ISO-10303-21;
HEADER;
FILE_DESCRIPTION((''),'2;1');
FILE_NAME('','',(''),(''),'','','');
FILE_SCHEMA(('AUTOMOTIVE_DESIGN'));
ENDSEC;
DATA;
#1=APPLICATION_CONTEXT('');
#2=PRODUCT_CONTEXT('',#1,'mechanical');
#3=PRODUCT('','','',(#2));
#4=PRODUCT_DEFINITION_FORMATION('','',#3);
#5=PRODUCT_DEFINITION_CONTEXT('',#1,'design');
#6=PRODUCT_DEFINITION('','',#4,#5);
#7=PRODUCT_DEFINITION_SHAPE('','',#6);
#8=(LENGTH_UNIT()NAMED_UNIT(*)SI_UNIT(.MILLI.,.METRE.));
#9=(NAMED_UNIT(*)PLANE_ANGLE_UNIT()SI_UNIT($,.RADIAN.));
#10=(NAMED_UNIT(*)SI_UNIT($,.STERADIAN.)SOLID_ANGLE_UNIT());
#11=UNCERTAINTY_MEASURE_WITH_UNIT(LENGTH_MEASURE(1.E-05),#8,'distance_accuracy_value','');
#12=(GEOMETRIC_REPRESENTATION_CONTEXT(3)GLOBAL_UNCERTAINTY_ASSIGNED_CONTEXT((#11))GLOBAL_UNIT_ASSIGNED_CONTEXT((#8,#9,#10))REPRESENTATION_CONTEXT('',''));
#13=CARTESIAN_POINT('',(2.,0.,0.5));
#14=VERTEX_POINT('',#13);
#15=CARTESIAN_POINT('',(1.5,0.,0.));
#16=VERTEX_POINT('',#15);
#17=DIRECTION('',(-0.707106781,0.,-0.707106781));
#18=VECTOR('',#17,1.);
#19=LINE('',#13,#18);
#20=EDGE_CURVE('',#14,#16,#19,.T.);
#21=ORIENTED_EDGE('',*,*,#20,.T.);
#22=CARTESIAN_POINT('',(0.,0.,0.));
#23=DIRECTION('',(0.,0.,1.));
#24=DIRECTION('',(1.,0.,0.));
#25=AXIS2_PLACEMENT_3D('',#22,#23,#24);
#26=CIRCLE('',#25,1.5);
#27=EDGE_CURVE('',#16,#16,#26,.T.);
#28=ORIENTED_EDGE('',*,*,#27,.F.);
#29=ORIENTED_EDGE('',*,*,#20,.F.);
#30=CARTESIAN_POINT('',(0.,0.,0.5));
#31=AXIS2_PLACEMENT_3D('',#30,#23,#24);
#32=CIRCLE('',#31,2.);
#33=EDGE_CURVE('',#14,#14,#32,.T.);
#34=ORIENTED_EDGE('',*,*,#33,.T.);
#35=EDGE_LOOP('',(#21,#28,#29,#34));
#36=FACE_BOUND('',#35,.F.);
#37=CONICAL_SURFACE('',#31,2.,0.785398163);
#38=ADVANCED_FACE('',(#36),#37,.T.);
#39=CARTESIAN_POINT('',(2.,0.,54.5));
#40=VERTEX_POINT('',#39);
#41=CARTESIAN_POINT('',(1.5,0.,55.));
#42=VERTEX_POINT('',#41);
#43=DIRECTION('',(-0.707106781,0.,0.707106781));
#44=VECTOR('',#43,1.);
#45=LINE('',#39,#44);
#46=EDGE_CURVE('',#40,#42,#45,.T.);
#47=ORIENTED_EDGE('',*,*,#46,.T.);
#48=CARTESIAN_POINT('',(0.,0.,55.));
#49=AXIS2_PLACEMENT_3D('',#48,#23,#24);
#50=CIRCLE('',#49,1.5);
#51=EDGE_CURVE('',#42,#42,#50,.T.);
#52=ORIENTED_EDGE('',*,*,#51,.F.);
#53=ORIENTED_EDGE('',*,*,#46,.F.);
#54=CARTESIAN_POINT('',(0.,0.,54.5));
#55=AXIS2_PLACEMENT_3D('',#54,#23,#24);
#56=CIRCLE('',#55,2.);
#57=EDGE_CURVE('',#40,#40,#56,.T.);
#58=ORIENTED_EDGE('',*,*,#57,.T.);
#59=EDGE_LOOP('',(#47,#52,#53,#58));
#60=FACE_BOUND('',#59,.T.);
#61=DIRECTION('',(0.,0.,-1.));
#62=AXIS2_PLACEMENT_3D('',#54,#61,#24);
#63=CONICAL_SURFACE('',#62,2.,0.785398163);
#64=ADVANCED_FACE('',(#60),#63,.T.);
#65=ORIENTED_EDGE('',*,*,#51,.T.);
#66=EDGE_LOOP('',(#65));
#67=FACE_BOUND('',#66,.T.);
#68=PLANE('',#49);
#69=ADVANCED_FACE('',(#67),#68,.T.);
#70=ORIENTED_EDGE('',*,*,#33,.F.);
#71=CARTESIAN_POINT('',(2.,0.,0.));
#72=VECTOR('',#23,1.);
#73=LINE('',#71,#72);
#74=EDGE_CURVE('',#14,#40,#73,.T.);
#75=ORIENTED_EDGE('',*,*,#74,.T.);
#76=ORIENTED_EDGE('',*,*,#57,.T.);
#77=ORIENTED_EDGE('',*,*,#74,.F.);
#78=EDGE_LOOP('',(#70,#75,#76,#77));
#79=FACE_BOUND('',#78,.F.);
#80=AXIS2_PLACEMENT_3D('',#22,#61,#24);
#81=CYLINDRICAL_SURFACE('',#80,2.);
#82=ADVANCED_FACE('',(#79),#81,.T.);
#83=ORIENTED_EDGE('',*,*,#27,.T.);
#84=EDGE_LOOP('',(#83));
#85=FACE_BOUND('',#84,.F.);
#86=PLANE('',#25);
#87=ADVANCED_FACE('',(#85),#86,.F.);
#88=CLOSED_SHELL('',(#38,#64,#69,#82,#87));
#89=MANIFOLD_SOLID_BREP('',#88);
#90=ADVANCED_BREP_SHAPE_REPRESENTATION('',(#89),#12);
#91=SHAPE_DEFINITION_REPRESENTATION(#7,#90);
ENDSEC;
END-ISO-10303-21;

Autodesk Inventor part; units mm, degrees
ref_plane "YZ Plane" through (0, 0, 0) normal (1, 0, 0) x (0, 1, 0)
ref_plane "XZ Plane" through (0, 0, 0) normal (0, 1, 0) x (-1, 0, 0)
ref_plane "XY Plane" through (0, 0, 0) normal (0, 0, 1) x (1, 0, 0)
sketch "Skizze1" plane through (0, 0, 0) normal (0, 0, 1) x (1, 0, 0)
  circle A0 centre (0, 0) radius 2
  dimension "Durchmesser" = 4
extrude "Extrusion1" add sketch "Skizze1" along normal blind 55
chamfer "Fase1" distance 0.5 angle 45 1 edges at (-2, 0, 0) measured on face at (0.6473, -0.1595, 0)
chamfer "Fase2" distance 0.5 angle 45 1 edges at (-2, 0, 55) measured on face at (1.9935, -0.1609, 36.8333)
properties part number "ABI_Arretierstift"
